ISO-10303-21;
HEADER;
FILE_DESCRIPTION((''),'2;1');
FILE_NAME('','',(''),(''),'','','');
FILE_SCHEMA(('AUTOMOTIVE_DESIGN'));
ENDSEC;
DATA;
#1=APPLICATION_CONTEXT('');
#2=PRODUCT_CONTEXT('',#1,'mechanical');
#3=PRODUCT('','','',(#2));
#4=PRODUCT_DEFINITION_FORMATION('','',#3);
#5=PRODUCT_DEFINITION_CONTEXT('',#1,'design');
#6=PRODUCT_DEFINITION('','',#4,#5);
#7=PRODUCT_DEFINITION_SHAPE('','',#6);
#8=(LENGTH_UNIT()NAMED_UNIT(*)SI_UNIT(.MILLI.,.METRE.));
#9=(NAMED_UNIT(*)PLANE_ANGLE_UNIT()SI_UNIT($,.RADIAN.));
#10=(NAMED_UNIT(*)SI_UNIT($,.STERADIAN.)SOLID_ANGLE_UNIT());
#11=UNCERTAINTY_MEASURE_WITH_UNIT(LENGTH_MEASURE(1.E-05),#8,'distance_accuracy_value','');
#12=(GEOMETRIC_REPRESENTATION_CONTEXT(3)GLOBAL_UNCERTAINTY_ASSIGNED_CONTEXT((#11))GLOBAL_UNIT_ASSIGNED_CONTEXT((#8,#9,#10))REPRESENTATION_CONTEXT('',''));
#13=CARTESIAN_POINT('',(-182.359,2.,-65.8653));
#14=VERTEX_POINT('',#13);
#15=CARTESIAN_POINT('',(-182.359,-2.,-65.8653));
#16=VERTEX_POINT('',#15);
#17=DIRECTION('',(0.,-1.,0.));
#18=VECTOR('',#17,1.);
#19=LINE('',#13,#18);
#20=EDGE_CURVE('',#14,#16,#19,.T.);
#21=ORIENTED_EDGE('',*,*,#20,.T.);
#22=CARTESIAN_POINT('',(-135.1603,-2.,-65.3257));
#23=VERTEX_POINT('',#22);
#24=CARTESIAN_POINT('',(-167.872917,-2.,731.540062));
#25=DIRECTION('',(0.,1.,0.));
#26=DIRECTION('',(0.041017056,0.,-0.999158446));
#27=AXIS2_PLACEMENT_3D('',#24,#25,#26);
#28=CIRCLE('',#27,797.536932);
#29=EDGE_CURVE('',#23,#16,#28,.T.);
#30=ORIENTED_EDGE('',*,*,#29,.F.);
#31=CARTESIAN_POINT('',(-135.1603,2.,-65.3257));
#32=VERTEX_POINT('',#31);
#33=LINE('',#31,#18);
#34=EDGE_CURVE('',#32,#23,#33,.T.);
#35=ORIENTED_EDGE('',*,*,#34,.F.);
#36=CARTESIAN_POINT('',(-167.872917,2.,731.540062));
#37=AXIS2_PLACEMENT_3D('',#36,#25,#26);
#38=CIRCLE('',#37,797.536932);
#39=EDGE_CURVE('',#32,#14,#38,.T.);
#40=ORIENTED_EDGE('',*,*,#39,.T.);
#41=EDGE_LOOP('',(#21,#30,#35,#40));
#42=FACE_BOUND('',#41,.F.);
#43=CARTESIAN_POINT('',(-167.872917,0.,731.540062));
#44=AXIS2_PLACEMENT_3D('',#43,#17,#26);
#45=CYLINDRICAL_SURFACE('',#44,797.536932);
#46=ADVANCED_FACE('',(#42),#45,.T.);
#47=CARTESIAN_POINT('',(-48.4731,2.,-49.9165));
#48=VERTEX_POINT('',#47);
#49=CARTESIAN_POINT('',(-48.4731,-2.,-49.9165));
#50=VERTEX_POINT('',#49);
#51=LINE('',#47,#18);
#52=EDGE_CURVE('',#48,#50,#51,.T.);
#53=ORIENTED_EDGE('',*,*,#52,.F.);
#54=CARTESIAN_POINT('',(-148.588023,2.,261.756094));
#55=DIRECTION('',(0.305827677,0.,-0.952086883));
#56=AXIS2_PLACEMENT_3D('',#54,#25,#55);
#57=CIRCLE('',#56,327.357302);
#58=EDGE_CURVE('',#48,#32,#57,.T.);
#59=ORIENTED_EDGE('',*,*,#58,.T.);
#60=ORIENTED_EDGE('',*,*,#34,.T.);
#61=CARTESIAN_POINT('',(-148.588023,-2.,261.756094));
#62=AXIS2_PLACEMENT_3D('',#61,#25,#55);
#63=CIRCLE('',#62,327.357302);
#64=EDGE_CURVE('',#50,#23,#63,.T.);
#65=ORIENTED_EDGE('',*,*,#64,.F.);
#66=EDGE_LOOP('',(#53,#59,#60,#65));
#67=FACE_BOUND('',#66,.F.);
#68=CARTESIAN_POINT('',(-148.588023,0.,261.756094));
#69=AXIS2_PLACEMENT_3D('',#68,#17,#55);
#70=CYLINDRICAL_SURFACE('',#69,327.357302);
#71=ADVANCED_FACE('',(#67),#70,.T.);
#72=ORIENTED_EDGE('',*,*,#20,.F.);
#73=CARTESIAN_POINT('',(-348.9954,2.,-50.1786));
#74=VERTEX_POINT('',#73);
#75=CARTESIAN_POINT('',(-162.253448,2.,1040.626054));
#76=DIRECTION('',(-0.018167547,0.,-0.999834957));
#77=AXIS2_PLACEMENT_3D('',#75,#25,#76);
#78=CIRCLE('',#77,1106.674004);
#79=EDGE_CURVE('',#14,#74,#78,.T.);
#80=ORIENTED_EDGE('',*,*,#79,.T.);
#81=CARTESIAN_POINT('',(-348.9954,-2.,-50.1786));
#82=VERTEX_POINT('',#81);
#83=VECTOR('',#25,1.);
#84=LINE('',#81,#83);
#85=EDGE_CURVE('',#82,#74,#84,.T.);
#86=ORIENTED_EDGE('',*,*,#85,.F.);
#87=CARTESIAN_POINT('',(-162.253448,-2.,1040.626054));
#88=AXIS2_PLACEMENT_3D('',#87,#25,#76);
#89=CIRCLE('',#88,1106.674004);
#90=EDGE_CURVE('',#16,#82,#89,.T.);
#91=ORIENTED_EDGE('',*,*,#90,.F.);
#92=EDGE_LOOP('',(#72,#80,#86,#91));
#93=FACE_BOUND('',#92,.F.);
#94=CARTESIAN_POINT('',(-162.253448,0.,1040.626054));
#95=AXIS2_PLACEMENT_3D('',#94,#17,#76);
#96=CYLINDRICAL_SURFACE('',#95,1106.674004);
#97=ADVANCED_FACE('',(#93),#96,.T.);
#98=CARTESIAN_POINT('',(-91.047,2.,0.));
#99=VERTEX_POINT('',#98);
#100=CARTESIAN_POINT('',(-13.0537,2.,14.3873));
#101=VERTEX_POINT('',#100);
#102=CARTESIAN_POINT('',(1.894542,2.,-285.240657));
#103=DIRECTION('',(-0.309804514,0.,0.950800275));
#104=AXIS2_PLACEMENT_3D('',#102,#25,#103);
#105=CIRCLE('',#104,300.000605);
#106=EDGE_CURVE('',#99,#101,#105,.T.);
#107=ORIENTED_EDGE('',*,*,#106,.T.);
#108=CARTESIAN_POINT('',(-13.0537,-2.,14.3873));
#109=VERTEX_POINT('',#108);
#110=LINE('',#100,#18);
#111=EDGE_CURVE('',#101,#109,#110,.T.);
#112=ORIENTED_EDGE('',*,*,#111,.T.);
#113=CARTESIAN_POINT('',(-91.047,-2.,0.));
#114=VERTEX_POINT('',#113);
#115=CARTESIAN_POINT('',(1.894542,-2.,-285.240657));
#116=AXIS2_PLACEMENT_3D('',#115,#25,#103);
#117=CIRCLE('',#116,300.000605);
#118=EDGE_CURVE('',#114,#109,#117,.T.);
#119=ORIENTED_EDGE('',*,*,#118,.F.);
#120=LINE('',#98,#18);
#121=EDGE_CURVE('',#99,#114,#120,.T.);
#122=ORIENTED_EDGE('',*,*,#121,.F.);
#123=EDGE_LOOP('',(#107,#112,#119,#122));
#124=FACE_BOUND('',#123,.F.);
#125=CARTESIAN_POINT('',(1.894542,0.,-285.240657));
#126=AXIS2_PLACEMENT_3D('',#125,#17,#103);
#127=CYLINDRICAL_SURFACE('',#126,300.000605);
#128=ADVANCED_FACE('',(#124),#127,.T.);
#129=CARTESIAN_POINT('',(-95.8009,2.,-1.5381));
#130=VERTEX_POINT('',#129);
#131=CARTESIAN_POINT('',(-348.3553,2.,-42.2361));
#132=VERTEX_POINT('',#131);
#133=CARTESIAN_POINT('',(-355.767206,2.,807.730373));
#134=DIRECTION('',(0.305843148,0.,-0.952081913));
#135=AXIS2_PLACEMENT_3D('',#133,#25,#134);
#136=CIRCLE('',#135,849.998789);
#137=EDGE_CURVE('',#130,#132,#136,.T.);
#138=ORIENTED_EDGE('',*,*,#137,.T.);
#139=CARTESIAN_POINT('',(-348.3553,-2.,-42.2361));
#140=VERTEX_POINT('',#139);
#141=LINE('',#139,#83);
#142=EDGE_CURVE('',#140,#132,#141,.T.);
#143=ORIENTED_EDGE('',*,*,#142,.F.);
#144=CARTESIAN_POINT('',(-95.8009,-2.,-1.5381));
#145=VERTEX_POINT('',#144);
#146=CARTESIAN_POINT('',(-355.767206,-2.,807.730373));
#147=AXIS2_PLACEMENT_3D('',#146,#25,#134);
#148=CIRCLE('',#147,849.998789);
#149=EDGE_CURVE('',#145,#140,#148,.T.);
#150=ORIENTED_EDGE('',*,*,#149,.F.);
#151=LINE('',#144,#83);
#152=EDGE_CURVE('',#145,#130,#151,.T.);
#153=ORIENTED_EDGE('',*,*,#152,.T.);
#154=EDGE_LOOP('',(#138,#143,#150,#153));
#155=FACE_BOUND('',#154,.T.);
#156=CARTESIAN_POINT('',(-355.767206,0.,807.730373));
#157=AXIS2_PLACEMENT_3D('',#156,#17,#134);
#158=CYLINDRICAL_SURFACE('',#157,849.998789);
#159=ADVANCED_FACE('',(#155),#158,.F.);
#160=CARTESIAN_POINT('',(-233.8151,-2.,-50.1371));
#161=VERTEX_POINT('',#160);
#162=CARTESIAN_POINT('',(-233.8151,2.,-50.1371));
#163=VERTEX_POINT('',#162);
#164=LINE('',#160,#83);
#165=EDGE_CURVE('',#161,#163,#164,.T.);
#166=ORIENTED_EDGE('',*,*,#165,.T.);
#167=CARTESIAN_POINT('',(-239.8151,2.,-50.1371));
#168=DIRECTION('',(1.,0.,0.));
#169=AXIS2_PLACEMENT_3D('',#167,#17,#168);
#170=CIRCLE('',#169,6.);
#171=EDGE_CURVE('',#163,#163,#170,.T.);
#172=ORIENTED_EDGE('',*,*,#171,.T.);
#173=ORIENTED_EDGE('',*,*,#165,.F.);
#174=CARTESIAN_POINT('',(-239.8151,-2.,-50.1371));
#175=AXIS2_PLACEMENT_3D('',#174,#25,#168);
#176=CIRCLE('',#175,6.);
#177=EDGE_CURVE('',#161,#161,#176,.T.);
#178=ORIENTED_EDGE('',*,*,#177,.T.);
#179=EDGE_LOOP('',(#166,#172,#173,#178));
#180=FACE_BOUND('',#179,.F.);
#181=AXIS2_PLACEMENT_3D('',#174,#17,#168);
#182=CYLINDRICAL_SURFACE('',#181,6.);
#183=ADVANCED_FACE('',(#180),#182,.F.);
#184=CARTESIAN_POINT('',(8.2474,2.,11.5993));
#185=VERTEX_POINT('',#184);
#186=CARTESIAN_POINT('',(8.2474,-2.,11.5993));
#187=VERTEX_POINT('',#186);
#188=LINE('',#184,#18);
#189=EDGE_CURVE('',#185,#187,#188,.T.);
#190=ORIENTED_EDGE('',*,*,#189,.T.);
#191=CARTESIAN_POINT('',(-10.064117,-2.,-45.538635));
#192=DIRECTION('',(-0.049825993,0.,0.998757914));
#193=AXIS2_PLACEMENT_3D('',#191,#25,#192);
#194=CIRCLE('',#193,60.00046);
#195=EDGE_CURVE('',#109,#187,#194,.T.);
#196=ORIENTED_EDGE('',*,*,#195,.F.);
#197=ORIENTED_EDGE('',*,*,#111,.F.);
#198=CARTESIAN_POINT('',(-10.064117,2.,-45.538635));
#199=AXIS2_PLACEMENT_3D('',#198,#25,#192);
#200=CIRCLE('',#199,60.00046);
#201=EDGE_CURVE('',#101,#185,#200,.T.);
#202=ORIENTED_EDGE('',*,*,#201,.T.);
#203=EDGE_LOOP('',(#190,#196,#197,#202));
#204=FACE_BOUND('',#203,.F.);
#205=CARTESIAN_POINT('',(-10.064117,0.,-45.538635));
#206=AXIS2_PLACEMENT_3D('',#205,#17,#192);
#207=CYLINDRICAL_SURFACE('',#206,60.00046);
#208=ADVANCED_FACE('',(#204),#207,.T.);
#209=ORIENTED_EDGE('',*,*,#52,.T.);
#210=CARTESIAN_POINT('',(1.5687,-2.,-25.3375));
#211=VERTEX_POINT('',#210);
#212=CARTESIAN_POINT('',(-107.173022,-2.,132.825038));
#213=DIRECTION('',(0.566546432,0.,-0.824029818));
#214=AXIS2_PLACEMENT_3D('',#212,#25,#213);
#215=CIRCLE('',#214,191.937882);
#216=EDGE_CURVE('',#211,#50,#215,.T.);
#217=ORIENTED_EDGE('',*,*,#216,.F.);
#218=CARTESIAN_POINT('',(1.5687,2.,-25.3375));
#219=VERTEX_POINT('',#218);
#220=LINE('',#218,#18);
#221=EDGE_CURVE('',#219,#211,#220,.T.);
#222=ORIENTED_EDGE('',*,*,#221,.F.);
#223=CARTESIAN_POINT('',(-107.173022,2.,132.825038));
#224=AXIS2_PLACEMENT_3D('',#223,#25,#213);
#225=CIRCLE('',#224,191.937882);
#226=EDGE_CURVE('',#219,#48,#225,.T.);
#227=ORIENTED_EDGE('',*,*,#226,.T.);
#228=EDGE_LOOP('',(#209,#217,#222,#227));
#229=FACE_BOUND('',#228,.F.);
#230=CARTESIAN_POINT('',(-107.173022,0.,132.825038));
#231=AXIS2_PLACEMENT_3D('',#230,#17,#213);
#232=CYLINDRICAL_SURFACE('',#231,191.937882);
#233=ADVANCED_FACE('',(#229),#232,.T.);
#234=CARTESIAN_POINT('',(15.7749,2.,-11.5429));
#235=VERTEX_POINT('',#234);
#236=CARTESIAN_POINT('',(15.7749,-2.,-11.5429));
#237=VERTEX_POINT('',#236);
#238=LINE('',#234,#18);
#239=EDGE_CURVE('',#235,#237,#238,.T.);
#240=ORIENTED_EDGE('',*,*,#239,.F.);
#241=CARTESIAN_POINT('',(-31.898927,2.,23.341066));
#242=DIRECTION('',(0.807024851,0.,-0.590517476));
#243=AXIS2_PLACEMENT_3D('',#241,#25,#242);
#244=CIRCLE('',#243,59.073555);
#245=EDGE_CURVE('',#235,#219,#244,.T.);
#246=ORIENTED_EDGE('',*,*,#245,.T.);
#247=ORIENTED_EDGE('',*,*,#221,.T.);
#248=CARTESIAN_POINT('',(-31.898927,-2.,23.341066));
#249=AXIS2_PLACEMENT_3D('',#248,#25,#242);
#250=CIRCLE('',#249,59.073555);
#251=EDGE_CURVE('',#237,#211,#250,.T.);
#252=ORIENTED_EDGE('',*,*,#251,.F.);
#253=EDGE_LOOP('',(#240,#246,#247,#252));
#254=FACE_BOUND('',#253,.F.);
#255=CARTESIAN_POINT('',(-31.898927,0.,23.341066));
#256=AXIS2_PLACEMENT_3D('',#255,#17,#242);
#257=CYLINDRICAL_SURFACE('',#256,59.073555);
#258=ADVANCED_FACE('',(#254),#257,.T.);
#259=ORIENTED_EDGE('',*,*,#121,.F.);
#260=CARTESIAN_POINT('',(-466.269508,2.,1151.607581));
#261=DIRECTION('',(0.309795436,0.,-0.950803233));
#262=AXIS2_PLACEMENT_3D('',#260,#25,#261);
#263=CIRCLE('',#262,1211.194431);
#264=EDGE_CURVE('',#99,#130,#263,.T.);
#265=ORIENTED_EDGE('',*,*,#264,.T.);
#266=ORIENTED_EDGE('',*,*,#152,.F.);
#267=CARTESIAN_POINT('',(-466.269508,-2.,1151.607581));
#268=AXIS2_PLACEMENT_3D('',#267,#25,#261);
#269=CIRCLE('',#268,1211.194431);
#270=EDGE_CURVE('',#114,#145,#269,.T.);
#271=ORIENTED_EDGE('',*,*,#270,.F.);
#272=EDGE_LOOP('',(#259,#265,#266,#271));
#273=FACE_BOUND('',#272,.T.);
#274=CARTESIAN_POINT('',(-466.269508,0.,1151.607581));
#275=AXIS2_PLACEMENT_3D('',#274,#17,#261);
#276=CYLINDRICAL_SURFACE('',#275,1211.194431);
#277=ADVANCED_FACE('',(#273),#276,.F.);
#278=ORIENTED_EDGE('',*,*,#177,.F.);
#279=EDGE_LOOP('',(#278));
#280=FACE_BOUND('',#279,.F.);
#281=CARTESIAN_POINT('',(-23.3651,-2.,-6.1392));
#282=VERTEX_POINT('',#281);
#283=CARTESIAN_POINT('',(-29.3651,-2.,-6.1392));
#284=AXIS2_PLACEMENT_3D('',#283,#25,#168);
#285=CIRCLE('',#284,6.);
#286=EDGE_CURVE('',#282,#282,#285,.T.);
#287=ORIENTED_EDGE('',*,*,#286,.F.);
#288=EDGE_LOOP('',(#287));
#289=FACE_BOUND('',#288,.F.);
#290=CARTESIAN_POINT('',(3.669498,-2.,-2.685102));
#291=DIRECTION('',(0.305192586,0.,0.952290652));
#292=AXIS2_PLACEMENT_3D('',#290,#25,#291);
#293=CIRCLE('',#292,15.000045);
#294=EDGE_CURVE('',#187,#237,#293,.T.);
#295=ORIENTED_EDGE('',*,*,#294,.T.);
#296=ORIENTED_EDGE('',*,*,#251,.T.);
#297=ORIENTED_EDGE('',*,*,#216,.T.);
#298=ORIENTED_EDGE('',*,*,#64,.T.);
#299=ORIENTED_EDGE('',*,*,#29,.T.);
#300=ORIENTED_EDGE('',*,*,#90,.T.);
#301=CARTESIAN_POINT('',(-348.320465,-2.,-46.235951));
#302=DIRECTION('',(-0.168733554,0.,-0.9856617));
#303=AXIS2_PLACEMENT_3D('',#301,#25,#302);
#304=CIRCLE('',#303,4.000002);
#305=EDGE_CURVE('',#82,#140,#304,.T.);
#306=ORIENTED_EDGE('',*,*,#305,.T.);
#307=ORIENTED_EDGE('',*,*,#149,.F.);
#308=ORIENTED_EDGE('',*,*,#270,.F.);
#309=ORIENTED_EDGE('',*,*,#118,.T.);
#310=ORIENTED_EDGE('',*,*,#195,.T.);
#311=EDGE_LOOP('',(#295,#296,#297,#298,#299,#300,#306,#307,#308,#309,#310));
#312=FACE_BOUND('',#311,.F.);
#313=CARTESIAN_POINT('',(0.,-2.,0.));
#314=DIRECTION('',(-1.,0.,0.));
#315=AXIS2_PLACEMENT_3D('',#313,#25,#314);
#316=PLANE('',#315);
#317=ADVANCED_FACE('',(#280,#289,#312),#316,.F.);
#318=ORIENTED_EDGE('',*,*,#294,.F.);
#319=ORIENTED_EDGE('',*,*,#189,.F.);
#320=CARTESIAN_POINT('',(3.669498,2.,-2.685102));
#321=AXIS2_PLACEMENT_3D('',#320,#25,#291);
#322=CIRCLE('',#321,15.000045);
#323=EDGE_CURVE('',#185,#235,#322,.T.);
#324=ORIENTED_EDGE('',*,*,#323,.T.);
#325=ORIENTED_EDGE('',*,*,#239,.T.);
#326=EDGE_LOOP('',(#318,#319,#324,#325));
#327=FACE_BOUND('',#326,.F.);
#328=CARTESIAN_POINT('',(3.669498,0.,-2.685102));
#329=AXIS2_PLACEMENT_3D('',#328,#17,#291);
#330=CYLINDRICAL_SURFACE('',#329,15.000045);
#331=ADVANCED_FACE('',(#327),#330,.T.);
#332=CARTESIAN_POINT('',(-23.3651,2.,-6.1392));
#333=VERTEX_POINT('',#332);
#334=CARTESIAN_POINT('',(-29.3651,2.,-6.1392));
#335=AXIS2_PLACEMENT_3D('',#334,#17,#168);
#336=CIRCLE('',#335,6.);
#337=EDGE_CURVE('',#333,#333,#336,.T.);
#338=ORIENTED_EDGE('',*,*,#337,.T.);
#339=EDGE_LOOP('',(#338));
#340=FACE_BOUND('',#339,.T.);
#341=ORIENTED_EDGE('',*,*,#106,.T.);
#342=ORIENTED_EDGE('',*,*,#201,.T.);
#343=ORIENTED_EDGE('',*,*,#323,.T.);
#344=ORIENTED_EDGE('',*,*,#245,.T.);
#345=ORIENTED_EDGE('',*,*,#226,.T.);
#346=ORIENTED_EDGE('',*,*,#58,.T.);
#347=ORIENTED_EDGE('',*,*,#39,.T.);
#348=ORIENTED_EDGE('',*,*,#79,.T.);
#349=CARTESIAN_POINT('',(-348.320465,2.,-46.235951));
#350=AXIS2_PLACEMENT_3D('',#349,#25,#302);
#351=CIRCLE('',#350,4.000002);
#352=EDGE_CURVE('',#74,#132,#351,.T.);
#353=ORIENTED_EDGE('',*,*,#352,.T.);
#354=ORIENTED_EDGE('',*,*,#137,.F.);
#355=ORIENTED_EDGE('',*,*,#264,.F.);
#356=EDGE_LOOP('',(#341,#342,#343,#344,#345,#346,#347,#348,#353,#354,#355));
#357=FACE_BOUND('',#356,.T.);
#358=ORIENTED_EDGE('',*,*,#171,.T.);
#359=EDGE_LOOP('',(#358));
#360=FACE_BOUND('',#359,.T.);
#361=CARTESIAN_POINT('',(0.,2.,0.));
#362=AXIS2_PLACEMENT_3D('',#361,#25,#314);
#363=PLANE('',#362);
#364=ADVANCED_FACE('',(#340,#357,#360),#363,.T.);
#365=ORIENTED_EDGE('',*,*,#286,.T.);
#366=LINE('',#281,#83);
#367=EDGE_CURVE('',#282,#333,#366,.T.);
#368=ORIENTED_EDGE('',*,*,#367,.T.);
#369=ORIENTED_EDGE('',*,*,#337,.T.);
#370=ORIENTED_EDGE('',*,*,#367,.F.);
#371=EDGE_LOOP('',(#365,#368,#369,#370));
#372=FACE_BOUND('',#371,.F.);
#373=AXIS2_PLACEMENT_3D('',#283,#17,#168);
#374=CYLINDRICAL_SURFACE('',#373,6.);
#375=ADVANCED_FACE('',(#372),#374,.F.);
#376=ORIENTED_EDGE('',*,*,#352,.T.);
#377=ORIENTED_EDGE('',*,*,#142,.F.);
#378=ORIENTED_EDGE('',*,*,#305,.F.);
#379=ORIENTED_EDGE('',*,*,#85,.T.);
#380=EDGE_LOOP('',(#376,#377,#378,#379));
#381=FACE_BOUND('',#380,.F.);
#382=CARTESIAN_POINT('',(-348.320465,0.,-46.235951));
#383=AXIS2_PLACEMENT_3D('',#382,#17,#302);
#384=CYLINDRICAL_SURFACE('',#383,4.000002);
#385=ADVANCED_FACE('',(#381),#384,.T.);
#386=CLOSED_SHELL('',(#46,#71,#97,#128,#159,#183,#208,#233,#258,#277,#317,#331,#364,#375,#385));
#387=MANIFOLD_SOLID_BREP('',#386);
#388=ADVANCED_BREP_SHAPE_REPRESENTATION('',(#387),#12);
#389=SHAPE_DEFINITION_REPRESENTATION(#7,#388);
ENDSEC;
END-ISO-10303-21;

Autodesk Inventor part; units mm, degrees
ref_plane "YZ Plane" through (0, 0, 0) normal (1, 0, 0) x (0, 1, 0)
ref_plane "XZ Plane" through (0, 0, 0) normal (0, 1, 0) x (-1, 0, 0)
ref_plane "XY Plane" through (0, 0, 0) normal (0, 0, 1) x (1, 0, 0)
sketch "スケッチ1" plane through (0, 0, 0) normal (0, 1, 0) x (-1, 0, 0)
  arc A0 (348.9954, -50.1786) -> (348.3553, -42.2361) centre (348.3204, -46.2359) ccw projected
  arc A1 (182.359, -65.8653) -> (348.9954, -50.1786) centre (162.2533, 1040.6287) ccw projected
  arc A2 (135.1603, -65.3257) -> (182.359, -65.8653) centre (167.871, 731.467) ccw projected
  arc A3 (48.4731, -49.9165) -> (135.1603, -65.3257) centre (148.588, 261.756) ccw projected
  arc A4 (-1.5687, -25.3375) -> (48.4731, -49.9165) centre (107.173, 132.825) ccw projected
  arc A5 (-15.7749, -11.5429) -> (-1.5687, -25.3375) centre (31.9, 23.342) ccw projected
  arc A6 (-8.2474, 11.5993) -> (-15.7749, -11.5429) centre (-3.6695, -2.6851) ccw projected
  arc A7 (13.0537, 14.3873) -> (-8.2474, 11.5993) centre (10.0641, -45.5382) ccw projected
  arc A8 (91.047, 0) -> (13.0537, 14.3873) centre (-1.8944, -285.2401) ccw projected
  arc A9 (91.047, 0) -> (95.8009, -1.5381) centre (462.8125, 1140.9603) ccw projected
  arc A10 (95.8009, -1.5381) -> (348.3553, -42.2361) centre (355.7675, 807.7316) ccw projected
  point P0 (0, 0)
extrude "押し出し1" add sketch "スケッチ1" along normal mid plane 4
sketch "スケッチ2" plane through (0, -2, 0) normal (0, -1, 0) x (1, 0, 0)
  line L0 (0, 0) -> (-283.8627, -59.346)
  arc A0 (-348.9954, -50.1786) -> (-182.359, -65.8653) centre (-162.2533, 1040.6287) ccw projected
  circle A1 centre (-29.3651, -6.1392) radius 6
  circle A2 centre (-239.8151, -50.1371) radius 6
  dimension "d3" = 290
  dimension "d4" = 12
  dimension "d5" = 12
  dimension "d6" = 30
  dimension "d7" = 215
extrude "押し出し2" cut sketch "スケッチ2" against normal through all
properties part number "flap_m"
